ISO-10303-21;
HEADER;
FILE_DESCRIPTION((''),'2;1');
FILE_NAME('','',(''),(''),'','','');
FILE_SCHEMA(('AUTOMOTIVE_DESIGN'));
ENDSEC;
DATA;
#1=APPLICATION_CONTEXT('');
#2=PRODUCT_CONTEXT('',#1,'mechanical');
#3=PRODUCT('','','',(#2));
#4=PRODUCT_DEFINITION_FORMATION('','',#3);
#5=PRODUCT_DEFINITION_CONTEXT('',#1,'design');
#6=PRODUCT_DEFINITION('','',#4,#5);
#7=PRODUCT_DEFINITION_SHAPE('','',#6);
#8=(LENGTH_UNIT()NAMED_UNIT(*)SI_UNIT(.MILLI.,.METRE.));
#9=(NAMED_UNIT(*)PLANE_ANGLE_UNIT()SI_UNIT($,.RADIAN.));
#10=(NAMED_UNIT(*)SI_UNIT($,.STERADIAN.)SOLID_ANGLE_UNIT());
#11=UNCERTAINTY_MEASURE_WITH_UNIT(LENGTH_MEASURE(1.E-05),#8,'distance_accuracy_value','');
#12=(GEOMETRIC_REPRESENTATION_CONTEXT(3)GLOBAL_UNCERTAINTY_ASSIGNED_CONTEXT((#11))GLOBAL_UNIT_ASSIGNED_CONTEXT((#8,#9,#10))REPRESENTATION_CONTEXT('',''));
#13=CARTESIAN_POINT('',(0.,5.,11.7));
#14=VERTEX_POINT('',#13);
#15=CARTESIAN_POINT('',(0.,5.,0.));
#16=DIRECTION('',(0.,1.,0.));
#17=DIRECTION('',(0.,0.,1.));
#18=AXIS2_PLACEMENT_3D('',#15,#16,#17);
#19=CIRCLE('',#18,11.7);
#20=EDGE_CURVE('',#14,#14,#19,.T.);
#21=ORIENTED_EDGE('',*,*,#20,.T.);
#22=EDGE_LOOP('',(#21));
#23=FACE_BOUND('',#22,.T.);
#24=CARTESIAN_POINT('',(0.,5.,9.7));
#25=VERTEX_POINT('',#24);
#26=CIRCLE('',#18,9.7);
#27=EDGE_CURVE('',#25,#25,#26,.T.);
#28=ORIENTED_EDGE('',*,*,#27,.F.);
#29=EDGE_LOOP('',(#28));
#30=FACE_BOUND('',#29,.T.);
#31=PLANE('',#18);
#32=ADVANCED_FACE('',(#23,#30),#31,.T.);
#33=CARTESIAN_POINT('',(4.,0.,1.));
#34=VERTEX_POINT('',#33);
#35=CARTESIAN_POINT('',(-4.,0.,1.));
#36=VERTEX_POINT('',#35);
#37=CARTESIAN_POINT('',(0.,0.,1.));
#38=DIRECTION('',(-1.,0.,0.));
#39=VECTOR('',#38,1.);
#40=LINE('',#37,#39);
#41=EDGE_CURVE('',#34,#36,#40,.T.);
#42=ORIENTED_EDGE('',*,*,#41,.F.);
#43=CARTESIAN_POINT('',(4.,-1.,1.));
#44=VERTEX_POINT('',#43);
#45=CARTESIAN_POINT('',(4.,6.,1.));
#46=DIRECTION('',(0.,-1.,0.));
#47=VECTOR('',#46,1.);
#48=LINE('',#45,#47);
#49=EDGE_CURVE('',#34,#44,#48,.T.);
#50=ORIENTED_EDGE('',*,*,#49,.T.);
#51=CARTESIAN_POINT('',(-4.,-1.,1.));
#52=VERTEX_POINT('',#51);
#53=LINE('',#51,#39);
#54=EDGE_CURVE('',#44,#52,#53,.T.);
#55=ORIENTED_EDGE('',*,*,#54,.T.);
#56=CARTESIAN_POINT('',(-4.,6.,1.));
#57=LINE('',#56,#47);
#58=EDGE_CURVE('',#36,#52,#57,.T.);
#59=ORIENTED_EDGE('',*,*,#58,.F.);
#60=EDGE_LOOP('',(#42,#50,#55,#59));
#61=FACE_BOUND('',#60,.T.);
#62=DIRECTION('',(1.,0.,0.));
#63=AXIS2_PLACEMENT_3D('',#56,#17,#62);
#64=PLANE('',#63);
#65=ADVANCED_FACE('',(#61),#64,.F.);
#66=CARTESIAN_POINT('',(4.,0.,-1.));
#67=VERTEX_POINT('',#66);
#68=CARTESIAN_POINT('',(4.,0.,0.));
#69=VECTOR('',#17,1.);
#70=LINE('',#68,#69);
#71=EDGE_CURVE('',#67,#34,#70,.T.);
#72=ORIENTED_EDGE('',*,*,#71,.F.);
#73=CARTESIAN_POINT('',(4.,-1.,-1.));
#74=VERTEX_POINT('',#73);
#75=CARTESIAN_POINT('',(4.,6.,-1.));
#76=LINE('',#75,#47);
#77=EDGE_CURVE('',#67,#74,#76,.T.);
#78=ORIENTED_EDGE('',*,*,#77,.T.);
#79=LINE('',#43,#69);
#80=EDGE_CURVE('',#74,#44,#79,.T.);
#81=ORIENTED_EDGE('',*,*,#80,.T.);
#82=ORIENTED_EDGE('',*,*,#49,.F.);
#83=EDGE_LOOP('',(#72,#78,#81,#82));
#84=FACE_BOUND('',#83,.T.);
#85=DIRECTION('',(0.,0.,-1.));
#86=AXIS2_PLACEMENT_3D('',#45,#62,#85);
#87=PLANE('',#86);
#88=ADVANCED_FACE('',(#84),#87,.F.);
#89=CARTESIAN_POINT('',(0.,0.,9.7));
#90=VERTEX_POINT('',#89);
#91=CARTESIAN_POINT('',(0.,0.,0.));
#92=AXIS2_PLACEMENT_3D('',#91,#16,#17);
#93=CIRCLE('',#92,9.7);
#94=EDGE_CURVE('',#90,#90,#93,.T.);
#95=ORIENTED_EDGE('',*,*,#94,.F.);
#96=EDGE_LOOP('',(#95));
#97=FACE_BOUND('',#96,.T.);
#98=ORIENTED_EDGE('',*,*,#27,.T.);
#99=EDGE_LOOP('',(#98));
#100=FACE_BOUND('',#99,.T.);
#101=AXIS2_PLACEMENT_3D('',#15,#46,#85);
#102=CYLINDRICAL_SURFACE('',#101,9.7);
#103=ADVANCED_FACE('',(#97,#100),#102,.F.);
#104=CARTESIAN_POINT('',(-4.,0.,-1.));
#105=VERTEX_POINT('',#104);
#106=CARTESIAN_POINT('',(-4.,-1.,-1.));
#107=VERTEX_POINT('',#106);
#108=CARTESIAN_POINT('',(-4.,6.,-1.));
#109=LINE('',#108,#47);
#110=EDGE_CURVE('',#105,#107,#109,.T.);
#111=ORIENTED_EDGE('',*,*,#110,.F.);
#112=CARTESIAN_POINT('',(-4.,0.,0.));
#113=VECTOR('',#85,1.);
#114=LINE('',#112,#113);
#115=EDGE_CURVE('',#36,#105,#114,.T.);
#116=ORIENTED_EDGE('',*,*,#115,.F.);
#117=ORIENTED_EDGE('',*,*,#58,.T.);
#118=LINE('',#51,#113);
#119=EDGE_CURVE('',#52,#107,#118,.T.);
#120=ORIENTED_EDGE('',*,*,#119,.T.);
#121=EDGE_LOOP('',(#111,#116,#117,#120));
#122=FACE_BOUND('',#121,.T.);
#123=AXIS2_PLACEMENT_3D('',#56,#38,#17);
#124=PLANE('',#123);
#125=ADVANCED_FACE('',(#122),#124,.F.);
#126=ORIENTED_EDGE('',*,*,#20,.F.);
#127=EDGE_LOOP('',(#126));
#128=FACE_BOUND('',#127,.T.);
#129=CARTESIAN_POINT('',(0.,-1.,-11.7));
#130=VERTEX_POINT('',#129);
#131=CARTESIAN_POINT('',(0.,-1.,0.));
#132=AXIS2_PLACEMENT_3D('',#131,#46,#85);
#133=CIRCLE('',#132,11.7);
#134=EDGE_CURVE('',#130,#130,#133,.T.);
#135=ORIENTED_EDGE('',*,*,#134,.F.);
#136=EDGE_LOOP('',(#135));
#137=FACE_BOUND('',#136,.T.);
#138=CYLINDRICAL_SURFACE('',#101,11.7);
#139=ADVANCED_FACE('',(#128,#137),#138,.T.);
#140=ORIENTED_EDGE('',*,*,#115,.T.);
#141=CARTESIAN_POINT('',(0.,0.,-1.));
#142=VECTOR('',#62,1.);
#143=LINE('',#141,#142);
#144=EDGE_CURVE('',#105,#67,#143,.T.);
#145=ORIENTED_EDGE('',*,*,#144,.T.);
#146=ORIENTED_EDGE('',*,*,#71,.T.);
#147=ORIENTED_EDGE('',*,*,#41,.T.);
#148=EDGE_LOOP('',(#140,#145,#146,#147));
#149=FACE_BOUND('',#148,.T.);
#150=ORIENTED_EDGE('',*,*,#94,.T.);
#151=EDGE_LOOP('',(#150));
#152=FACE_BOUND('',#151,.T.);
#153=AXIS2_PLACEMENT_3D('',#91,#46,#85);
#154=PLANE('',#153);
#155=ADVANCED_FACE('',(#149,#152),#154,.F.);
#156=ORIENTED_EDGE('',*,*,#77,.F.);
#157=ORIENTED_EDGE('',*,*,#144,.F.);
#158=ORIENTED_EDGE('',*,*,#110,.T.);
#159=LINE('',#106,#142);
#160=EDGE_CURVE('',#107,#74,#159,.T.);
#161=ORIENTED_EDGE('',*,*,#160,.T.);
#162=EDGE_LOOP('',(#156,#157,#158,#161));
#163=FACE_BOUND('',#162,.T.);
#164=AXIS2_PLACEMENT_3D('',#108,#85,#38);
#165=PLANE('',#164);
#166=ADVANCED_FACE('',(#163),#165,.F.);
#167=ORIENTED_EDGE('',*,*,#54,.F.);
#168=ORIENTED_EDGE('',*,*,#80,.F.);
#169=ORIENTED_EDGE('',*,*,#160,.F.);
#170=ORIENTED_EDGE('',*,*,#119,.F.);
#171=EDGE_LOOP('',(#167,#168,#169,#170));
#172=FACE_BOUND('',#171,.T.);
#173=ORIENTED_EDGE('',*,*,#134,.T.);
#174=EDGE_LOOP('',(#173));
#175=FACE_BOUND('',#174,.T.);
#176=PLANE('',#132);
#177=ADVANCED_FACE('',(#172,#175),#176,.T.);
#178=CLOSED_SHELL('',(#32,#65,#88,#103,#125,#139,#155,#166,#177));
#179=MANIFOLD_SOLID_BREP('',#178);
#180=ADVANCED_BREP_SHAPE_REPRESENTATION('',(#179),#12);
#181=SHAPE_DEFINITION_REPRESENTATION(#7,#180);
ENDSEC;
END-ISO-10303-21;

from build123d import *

# Parameters (mm, degrees)
SKETCH1_R           = 11.7
SKETCH1_R_2         = 9.7
BOSS_EXTRUDE1_DEPTH = 5
BOSS_EXTRUDE2_START = 1
SKETCH2_R           = 11.7
BOSS_EXTRUDE2_DEPTH = 1
SKETCH3_W           = 8
SKETCH3_H           = 2
CUT_EXTRUDE1_DEPTH  = 7


with BuildPart() as part:
    # Sketch1 → Boss-Extrude1 (new body)
    with BuildSketch(Plane(origin=(0, 0, 0), x_dir=(1, 0, 0), z_dir=(0, 1, 0))):
        with Locations(Location((0, 0, 0), (0, 0, 270))):
            Circle(SKETCH1_R)
        with Locations(Location((0, 0, 0), (0, 0, 270))):
            Circle(SKETCH1_R_2, mode=Mode.SUBTRACT)
    extrude(amount=BOSS_EXTRUDE1_DEPTH)

    # Sketch2 → Boss-Extrude2 (add)
    with BuildSketch(Plane.XZ.offset(BOSS_EXTRUDE2_START)):
        with Locations(Location((0, 0, 0), (0, 0, 270))):
            Circle(SKETCH2_R)
    extrude(amount=-BOSS_EXTRUDE2_DEPTH)

    # Sketch3 → Cut-Extrude1 (cut)
    with BuildSketch(Plane.XZ.offset(1)):
        Rectangle(SKETCH3_W, SKETCH3_H)
    extrude(amount=-CUT_EXTRUDE1_DEPTH, mode=Mode.SUBTRACT)


solid = part.part
